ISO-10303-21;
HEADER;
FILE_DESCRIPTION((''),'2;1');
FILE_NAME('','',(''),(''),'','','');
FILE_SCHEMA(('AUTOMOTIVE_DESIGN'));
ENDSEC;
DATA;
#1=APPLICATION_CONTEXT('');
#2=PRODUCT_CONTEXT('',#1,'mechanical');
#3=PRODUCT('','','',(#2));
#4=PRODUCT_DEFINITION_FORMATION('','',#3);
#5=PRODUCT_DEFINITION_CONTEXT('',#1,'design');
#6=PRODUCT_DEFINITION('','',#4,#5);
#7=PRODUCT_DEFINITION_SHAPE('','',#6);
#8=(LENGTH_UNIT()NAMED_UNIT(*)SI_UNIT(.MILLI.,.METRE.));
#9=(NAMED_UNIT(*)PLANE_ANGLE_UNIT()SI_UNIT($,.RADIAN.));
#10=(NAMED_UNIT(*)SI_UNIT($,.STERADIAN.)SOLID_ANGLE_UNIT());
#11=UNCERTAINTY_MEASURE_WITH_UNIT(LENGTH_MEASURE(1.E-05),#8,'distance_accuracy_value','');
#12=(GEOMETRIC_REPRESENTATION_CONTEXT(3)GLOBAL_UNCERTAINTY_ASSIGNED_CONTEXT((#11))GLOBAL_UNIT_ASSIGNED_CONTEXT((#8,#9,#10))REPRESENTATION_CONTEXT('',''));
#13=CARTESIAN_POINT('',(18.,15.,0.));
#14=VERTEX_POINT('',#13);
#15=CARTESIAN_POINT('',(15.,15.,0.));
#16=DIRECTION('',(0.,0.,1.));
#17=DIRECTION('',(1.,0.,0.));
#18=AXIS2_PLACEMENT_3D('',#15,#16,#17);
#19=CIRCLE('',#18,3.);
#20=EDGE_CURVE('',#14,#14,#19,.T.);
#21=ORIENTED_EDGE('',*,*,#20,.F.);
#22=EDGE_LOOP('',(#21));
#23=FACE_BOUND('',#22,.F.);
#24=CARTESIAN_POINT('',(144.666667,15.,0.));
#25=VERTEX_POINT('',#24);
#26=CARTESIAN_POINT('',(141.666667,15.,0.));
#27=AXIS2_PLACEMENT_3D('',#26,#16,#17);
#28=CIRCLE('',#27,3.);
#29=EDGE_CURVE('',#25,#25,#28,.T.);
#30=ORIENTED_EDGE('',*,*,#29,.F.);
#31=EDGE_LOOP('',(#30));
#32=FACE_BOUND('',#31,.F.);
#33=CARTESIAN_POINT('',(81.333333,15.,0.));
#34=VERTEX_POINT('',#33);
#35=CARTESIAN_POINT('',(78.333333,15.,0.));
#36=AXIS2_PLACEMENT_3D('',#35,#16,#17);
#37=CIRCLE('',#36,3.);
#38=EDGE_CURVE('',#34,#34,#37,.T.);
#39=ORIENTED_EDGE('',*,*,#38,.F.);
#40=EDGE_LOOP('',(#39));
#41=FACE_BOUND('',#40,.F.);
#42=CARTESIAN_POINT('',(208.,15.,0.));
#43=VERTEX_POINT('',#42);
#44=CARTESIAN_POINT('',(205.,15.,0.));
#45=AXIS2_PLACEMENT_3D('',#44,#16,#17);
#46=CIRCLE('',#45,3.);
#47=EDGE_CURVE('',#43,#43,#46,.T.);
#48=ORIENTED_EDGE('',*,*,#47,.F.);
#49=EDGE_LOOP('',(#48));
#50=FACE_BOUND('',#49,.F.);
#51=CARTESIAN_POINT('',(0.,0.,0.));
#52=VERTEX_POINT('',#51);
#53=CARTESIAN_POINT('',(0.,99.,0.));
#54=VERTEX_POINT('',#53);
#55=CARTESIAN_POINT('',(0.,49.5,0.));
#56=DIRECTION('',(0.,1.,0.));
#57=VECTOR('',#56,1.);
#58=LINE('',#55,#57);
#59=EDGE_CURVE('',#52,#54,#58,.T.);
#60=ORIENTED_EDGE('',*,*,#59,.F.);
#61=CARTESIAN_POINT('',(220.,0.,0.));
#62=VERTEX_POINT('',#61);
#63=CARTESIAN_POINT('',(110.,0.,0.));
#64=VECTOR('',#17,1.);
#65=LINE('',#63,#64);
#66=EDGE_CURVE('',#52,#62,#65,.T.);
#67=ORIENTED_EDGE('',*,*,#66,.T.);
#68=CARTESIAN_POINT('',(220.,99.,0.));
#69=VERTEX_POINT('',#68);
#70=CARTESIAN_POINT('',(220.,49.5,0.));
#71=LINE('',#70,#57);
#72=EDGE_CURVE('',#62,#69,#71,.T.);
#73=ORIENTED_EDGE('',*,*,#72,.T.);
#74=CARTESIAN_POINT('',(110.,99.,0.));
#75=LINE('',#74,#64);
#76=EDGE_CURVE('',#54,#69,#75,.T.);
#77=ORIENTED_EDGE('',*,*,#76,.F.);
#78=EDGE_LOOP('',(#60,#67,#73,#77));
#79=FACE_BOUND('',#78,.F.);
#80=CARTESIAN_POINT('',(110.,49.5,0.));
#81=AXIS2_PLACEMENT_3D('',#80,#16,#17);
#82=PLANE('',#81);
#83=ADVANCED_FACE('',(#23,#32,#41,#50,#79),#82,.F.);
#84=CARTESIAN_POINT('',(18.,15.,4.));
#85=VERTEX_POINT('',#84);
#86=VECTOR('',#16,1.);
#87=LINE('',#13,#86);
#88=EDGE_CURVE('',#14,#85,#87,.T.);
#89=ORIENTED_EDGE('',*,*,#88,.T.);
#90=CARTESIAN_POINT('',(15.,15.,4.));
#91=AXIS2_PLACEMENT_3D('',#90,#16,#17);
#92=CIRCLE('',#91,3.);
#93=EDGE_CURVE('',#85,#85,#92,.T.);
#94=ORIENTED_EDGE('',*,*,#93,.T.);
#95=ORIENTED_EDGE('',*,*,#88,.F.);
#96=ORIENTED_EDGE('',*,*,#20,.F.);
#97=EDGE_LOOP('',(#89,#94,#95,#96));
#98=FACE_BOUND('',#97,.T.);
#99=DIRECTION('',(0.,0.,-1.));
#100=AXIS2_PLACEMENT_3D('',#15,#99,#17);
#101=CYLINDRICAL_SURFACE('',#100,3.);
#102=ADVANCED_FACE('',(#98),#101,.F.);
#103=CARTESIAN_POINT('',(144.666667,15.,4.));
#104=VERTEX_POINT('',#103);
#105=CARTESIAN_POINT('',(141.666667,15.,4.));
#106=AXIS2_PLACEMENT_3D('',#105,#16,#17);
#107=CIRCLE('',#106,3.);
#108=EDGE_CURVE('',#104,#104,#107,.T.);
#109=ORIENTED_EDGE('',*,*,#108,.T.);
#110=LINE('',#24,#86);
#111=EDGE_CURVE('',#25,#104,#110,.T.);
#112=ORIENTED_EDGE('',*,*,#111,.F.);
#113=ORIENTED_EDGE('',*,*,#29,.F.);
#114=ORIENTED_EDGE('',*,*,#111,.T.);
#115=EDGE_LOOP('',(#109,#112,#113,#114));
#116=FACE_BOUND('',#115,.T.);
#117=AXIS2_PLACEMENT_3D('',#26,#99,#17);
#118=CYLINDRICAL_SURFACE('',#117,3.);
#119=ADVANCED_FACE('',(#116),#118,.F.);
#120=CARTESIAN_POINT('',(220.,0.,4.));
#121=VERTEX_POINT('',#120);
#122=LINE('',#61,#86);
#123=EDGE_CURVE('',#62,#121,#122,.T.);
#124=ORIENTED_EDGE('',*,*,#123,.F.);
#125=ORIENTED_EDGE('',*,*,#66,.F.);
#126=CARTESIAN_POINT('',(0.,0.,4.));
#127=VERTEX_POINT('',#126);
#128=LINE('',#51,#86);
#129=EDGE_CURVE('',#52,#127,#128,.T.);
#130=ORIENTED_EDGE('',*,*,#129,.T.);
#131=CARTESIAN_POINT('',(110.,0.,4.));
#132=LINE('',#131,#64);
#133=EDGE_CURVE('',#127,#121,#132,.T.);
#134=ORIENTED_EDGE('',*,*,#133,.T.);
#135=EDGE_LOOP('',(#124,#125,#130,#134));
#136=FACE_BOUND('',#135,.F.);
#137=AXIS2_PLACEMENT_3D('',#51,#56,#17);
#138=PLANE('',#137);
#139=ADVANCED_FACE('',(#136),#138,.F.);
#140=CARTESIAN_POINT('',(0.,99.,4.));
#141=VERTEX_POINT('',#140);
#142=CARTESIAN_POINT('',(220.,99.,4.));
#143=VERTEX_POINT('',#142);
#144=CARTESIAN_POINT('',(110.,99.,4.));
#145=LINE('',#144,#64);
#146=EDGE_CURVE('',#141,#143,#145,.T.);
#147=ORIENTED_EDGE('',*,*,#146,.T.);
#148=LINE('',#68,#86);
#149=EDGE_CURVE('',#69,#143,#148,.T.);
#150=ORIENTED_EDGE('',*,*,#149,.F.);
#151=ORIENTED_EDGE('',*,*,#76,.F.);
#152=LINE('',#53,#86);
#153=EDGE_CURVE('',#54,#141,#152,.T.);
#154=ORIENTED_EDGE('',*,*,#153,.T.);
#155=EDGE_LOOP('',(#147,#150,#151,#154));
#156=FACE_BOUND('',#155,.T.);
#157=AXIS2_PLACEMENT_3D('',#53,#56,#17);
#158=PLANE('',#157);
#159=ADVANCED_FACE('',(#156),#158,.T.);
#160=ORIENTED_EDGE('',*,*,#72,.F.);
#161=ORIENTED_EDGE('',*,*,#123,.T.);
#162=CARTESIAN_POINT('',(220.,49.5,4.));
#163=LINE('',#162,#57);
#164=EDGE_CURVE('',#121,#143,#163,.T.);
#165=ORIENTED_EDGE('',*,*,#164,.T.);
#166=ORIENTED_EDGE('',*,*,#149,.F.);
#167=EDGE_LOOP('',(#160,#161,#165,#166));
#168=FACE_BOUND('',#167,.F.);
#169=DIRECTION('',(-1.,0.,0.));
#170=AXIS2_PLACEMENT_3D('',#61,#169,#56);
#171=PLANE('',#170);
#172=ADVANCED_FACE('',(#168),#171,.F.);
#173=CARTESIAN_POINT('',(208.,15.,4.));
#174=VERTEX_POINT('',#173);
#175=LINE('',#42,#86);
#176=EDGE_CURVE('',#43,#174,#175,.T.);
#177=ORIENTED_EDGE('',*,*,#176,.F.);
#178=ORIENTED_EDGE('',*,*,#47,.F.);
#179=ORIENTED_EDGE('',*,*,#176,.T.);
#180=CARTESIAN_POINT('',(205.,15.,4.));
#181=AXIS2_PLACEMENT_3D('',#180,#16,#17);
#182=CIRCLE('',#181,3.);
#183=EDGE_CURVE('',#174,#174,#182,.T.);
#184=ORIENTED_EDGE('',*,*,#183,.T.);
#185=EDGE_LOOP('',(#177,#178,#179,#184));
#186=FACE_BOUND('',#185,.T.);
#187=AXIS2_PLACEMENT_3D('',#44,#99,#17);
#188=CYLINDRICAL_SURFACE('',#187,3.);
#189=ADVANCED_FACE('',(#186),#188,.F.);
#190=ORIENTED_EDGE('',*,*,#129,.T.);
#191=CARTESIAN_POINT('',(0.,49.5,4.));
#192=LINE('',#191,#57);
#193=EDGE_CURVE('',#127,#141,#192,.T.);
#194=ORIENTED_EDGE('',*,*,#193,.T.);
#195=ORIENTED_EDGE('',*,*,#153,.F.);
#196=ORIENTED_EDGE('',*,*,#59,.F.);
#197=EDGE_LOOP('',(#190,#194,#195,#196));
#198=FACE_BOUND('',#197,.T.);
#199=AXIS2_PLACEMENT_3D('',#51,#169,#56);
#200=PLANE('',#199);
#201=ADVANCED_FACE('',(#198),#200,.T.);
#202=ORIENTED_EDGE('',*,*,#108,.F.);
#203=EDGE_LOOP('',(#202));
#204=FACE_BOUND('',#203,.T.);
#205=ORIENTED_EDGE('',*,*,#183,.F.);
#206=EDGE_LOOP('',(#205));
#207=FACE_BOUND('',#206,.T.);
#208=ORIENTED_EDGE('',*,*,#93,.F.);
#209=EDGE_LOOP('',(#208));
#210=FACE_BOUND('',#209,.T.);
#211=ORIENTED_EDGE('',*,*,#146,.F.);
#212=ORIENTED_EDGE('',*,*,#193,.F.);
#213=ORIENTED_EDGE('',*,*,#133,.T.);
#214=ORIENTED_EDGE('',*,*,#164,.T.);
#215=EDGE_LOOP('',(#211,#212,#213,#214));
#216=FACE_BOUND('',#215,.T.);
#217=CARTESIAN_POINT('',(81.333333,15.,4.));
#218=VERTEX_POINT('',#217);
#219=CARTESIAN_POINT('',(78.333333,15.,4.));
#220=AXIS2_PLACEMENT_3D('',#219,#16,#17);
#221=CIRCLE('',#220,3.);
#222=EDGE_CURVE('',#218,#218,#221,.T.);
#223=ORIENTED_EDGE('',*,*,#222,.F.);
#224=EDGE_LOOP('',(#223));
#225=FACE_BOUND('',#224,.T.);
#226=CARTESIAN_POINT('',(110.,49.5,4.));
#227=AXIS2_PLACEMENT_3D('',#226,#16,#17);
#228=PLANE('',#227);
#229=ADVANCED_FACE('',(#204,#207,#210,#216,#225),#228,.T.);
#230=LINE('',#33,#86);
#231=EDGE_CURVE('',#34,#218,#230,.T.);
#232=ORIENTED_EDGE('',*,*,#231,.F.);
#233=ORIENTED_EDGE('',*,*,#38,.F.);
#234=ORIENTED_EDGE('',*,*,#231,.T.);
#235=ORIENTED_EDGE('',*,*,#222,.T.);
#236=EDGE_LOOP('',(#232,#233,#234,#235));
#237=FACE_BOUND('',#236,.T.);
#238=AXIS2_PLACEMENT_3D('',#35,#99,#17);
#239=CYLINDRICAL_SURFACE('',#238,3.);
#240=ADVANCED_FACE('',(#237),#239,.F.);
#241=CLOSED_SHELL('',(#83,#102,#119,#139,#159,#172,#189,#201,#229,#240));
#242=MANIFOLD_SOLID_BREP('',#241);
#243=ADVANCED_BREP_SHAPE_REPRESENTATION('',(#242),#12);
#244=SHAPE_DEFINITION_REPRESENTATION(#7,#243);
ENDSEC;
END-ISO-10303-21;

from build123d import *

# Parameters (mm, degrees)
SKICA1_W                = 220
SKICA1_H                = 99
SKICA1_R                = 3
P_IDAT_VYSUNUT_M1_DEPTH = 4


with BuildPart() as part:
    # Skica1 → Přidat vysunutím1 (new body)
    with BuildSketch(Plane.XY):
        with Locations((110, 49.5)):
            Rectangle(SKICA1_W, SKICA1_H)
        with Locations((205, 15)):
            Circle(SKICA1_R, mode=Mode.SUBTRACT)
        with Locations((15, 15)):
            Circle(SKICA1_R, mode=Mode.SUBTRACT)
        with Locations((141.666666667, 15)):
            Circle(SKICA1_R, mode=Mode.SUBTRACT)
        with Locations((78.333333333, 15)):
            Circle(SKICA1_R, mode=Mode.SUBTRACT)
    extrude(amount=P_IDAT_VYSUNUT_M1_DEPTH)


solid = part.part
